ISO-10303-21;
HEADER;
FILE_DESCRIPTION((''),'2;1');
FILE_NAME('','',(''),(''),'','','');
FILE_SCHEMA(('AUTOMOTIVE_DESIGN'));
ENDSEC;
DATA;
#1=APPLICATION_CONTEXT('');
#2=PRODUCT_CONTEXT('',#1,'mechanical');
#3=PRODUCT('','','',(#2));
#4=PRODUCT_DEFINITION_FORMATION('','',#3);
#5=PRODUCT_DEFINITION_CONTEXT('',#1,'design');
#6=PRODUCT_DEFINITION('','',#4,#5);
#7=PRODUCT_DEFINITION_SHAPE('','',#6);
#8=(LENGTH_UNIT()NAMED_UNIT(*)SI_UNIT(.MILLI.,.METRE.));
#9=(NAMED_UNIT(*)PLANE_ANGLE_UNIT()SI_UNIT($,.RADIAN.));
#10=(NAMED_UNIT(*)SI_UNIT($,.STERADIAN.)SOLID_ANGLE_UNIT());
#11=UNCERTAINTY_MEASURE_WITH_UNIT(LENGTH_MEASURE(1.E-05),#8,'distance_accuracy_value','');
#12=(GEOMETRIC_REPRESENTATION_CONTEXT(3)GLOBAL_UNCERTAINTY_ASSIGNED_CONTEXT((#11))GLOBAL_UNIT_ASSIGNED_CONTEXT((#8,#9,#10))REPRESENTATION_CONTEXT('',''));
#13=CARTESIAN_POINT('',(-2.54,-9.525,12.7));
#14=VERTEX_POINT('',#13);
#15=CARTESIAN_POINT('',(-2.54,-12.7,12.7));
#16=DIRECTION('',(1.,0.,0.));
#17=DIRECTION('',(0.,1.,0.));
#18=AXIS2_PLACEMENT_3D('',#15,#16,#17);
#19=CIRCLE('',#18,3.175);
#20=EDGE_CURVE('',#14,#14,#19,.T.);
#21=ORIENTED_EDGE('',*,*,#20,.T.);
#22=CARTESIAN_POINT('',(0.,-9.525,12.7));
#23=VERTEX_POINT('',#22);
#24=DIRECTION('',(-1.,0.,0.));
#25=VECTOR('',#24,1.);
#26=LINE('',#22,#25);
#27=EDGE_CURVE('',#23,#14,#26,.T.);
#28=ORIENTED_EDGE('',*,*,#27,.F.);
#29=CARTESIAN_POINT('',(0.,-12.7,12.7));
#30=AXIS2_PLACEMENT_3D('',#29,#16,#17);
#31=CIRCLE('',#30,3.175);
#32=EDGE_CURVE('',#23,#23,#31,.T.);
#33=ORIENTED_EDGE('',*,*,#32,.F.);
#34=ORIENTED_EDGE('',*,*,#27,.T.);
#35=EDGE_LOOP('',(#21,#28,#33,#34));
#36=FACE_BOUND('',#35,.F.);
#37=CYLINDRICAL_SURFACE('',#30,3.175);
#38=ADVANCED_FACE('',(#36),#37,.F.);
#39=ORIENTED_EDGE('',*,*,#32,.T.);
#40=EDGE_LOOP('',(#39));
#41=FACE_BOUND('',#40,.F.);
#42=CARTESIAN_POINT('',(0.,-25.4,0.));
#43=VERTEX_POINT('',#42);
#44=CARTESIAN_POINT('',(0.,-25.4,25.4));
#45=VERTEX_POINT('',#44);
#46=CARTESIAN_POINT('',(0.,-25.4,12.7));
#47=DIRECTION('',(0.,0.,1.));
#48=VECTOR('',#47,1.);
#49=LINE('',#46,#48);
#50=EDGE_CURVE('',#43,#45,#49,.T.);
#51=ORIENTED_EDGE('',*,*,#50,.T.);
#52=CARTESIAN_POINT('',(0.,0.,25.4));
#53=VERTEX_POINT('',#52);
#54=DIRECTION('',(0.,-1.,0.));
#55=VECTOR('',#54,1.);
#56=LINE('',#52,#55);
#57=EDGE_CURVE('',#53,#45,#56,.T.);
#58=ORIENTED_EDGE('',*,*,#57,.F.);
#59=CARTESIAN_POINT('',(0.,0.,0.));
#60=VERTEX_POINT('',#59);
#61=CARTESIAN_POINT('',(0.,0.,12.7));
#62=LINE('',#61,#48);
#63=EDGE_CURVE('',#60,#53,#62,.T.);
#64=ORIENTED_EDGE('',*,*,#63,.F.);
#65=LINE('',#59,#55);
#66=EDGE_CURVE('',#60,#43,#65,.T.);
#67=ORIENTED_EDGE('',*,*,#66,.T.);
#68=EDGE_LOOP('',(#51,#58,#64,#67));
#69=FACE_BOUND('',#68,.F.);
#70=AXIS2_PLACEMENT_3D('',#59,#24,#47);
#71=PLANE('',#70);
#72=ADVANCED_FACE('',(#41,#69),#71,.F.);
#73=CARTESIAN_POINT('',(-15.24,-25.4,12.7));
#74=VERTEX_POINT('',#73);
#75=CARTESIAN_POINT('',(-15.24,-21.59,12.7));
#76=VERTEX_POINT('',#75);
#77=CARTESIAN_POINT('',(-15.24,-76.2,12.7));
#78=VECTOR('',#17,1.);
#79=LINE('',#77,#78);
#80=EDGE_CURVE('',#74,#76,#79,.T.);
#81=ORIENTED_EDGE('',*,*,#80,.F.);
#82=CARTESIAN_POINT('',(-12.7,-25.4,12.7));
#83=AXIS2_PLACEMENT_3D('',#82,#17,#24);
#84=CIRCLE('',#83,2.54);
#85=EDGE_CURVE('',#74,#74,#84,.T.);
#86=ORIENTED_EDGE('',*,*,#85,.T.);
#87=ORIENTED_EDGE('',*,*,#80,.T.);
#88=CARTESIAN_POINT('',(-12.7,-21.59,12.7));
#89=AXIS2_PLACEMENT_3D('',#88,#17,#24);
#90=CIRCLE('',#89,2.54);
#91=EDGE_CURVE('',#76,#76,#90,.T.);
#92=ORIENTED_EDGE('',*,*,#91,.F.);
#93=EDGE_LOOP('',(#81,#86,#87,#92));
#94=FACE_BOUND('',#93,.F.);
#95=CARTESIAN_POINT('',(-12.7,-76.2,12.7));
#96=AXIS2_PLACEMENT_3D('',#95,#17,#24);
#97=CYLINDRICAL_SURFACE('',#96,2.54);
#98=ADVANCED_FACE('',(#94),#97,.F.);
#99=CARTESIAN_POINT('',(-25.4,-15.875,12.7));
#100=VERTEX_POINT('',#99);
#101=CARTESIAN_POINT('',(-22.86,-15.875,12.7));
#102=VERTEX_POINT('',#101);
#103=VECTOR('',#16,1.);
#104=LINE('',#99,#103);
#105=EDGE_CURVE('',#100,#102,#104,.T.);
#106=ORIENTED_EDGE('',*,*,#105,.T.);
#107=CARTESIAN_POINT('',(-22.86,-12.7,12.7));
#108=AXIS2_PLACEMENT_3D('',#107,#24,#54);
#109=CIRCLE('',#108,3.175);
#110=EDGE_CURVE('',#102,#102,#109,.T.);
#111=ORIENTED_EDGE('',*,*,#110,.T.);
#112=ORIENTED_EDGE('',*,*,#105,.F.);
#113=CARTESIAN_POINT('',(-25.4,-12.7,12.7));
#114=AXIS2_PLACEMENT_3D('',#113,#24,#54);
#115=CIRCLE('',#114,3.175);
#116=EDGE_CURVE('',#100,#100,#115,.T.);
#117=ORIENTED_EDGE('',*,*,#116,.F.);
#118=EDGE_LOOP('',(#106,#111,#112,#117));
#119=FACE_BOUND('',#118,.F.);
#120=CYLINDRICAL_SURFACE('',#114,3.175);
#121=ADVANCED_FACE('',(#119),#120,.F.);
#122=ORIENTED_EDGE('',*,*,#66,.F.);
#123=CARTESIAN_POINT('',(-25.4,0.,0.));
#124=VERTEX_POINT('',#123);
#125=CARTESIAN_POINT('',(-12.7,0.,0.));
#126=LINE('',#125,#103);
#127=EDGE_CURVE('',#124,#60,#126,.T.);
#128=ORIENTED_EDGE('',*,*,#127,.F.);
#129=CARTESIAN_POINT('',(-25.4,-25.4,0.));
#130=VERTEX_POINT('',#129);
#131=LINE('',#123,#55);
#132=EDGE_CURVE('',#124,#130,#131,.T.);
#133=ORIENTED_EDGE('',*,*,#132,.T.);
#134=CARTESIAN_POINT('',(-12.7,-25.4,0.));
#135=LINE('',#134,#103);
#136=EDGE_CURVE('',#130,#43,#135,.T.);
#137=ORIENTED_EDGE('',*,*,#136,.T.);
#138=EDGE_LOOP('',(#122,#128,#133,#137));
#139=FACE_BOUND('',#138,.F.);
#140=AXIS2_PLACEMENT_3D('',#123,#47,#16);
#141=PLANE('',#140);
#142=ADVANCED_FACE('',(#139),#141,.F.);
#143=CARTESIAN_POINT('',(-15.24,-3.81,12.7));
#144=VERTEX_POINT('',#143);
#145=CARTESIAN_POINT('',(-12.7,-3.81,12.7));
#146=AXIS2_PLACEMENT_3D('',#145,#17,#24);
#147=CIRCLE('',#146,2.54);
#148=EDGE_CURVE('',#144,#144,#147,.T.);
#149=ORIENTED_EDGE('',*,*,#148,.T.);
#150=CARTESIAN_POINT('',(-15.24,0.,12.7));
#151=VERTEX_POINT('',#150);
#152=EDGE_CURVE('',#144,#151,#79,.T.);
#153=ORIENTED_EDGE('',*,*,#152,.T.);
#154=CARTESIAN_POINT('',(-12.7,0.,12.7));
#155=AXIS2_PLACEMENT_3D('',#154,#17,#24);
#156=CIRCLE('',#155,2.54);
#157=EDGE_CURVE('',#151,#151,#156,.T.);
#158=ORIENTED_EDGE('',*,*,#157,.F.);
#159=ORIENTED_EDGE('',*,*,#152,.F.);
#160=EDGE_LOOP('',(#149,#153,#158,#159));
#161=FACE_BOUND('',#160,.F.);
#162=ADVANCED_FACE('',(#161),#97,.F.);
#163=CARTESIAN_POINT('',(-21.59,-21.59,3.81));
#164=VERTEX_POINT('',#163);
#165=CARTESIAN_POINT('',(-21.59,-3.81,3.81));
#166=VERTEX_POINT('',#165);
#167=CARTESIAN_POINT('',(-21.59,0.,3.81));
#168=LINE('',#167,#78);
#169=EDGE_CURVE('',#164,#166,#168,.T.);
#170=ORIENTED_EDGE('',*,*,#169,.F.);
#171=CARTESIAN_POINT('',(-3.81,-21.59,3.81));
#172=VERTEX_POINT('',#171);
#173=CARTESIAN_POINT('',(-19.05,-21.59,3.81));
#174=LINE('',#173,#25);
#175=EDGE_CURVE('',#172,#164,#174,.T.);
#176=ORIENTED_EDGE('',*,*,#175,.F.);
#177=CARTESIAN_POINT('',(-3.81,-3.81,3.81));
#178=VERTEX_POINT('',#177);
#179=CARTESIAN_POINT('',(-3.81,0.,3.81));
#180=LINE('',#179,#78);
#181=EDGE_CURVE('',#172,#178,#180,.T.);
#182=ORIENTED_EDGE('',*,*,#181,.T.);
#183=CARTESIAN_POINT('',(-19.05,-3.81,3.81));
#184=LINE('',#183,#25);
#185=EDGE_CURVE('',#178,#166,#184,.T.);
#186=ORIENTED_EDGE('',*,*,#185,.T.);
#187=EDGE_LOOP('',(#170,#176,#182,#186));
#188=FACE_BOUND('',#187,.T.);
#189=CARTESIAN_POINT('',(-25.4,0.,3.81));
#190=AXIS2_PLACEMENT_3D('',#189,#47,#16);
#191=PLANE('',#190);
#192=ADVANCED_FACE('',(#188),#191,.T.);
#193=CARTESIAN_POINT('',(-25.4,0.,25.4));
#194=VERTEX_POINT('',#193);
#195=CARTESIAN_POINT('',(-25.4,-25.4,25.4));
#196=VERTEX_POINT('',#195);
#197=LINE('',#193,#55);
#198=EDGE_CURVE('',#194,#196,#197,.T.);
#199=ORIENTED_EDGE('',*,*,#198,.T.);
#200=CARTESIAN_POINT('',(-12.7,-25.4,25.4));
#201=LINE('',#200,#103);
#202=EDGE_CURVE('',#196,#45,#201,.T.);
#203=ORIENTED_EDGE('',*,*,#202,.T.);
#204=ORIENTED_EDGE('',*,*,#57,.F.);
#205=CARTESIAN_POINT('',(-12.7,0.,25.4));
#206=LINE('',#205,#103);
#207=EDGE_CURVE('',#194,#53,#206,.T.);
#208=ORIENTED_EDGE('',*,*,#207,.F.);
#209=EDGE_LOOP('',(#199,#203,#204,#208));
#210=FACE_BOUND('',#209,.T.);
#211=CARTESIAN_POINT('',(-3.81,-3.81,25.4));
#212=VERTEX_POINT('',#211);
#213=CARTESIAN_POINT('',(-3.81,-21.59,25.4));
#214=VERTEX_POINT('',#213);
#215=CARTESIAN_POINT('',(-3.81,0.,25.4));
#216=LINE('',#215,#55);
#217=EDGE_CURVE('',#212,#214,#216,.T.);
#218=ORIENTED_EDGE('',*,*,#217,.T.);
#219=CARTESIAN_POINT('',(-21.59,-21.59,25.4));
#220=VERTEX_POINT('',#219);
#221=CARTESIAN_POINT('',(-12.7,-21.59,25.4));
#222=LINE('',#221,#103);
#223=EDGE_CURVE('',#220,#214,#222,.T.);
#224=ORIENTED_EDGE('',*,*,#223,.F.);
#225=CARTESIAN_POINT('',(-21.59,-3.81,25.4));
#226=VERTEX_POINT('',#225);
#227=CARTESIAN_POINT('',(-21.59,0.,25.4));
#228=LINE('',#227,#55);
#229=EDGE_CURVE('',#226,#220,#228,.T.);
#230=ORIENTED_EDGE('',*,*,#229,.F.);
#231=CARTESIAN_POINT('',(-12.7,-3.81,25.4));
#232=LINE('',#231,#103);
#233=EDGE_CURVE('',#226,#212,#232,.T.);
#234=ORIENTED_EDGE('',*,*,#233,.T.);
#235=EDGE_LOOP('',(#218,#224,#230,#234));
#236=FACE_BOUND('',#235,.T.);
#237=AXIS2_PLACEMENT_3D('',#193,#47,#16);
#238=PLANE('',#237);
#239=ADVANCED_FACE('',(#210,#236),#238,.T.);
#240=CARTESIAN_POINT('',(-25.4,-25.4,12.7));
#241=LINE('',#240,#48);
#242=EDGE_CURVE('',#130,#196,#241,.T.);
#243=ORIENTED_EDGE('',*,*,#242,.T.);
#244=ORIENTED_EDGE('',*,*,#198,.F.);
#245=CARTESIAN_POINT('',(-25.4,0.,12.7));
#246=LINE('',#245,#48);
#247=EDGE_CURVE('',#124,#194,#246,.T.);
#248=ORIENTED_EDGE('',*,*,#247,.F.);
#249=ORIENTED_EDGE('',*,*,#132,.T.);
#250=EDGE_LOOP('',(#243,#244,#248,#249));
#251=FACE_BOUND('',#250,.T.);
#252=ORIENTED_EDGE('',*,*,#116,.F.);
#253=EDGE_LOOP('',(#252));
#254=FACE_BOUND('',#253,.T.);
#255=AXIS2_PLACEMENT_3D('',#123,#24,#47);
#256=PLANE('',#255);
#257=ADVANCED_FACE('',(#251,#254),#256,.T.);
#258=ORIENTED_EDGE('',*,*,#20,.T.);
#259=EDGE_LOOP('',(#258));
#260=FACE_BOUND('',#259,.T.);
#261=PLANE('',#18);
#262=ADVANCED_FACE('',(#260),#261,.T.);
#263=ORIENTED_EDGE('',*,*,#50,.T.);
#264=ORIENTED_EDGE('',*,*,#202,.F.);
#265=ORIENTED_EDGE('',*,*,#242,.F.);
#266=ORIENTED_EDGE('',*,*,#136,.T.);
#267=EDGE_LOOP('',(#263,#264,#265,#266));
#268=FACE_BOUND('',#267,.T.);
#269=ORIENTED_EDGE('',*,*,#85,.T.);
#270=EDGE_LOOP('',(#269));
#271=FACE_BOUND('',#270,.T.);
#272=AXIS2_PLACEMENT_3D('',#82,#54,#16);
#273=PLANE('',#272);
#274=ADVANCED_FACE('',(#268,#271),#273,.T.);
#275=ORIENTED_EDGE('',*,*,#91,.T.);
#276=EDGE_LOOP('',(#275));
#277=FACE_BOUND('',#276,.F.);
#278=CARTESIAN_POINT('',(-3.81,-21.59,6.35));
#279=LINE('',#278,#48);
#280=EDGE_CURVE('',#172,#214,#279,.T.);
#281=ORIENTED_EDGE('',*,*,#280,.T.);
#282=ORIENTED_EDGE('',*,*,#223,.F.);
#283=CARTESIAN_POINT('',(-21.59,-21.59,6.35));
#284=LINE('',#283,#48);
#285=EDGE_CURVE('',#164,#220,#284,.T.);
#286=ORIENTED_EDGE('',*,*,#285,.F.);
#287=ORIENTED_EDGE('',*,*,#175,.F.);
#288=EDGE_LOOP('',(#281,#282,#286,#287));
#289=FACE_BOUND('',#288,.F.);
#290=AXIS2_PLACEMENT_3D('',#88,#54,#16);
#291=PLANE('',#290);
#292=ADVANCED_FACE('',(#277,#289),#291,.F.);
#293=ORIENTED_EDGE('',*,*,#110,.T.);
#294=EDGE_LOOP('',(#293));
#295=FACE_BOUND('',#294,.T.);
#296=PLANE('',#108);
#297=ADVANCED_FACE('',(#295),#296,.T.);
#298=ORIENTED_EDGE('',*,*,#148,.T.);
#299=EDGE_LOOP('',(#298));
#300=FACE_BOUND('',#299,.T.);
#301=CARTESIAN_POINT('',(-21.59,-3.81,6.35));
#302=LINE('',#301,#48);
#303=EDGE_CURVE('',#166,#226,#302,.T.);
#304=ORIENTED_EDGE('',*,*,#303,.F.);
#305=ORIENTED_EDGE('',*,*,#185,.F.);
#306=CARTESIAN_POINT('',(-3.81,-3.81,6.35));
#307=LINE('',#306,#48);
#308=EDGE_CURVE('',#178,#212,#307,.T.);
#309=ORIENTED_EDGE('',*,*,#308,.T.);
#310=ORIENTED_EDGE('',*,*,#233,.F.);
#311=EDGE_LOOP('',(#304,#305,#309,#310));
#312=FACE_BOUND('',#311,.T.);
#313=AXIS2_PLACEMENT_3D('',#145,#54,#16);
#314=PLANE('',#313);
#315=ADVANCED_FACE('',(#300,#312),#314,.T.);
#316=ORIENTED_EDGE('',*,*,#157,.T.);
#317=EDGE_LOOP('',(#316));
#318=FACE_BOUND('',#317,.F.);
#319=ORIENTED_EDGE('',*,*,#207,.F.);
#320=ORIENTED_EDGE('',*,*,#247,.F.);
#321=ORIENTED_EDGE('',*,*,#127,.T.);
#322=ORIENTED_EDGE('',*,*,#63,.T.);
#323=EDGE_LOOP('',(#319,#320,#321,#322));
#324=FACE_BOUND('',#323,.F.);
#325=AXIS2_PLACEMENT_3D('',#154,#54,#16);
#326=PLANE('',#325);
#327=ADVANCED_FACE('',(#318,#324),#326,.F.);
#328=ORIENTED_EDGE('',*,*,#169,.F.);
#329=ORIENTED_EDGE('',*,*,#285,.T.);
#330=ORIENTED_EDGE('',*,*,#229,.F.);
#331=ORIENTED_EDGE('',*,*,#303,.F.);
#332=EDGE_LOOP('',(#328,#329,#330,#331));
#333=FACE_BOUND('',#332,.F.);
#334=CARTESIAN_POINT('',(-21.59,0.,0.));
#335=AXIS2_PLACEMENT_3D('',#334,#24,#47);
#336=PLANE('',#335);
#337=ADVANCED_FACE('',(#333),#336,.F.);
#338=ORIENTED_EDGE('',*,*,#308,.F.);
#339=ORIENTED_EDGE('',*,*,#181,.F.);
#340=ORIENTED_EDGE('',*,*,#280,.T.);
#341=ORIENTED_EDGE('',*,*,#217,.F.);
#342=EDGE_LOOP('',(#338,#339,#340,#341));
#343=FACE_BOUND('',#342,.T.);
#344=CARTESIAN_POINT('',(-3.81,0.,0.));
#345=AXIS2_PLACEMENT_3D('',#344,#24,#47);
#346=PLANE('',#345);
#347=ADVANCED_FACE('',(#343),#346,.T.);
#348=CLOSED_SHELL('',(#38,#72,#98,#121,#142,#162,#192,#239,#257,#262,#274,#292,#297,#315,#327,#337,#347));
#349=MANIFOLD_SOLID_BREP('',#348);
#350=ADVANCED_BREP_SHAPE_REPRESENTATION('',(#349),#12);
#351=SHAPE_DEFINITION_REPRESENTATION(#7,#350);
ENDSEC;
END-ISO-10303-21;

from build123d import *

# Parameters (mm, degrees)
F0_W     = 25.4
F0_H     = 25.4
F1_DEPTH = 25.4
F2_T     = -3.81
F5_D     = 5.08
F5_DEPTH = 50.8
F4_R     = 3.175
F6_DEPTH = 2.54
F7_R     = 3.175
F8_DEPTH = 2.54


with BuildPart() as f1:
    # F0 (on Front) → F1 (new body)
    with BuildSketch(Plane.XZ):
        with Locations((-12.7, 12.7)):
            Rectangle(F0_W, F0_H)
    extrude(amount=F1_DEPTH)

    # F2
    f2_openings = [f1.faces().sort_by_distance(p)[0] for p in [
        (-12.7, -12.7, 25.4),
    ]]
    offset(amount=F2_T, openings=f2_openings)

    # F5
    with Locations(Plane.XZ.offset(25.4)):
        with Locations((-12.7, 12.7)):
            Hole(F5_D / 2, depth=F5_DEPTH)

    # F4 (on face) → F6 (cut)
    with BuildSketch(Plane.YZ):
        with Locations((-12.7, 12.7)):
            Circle(F4_R)
    extrude(amount=-F6_DEPTH, mode=Mode.SUBTRACT)

    # F7 (on face) → F8 (cut)
    with BuildSketch(Plane(origin=(-25.4, 0, 0), x_dir=(0, -1, 0), z_dir=(-1, 0, 0))):
        with Locations((12.7, 12.7)):
            Circle(F7_R)
    extrude(amount=-F8_DEPTH, mode=Mode.SUBTRACT)


solid = f1.part
